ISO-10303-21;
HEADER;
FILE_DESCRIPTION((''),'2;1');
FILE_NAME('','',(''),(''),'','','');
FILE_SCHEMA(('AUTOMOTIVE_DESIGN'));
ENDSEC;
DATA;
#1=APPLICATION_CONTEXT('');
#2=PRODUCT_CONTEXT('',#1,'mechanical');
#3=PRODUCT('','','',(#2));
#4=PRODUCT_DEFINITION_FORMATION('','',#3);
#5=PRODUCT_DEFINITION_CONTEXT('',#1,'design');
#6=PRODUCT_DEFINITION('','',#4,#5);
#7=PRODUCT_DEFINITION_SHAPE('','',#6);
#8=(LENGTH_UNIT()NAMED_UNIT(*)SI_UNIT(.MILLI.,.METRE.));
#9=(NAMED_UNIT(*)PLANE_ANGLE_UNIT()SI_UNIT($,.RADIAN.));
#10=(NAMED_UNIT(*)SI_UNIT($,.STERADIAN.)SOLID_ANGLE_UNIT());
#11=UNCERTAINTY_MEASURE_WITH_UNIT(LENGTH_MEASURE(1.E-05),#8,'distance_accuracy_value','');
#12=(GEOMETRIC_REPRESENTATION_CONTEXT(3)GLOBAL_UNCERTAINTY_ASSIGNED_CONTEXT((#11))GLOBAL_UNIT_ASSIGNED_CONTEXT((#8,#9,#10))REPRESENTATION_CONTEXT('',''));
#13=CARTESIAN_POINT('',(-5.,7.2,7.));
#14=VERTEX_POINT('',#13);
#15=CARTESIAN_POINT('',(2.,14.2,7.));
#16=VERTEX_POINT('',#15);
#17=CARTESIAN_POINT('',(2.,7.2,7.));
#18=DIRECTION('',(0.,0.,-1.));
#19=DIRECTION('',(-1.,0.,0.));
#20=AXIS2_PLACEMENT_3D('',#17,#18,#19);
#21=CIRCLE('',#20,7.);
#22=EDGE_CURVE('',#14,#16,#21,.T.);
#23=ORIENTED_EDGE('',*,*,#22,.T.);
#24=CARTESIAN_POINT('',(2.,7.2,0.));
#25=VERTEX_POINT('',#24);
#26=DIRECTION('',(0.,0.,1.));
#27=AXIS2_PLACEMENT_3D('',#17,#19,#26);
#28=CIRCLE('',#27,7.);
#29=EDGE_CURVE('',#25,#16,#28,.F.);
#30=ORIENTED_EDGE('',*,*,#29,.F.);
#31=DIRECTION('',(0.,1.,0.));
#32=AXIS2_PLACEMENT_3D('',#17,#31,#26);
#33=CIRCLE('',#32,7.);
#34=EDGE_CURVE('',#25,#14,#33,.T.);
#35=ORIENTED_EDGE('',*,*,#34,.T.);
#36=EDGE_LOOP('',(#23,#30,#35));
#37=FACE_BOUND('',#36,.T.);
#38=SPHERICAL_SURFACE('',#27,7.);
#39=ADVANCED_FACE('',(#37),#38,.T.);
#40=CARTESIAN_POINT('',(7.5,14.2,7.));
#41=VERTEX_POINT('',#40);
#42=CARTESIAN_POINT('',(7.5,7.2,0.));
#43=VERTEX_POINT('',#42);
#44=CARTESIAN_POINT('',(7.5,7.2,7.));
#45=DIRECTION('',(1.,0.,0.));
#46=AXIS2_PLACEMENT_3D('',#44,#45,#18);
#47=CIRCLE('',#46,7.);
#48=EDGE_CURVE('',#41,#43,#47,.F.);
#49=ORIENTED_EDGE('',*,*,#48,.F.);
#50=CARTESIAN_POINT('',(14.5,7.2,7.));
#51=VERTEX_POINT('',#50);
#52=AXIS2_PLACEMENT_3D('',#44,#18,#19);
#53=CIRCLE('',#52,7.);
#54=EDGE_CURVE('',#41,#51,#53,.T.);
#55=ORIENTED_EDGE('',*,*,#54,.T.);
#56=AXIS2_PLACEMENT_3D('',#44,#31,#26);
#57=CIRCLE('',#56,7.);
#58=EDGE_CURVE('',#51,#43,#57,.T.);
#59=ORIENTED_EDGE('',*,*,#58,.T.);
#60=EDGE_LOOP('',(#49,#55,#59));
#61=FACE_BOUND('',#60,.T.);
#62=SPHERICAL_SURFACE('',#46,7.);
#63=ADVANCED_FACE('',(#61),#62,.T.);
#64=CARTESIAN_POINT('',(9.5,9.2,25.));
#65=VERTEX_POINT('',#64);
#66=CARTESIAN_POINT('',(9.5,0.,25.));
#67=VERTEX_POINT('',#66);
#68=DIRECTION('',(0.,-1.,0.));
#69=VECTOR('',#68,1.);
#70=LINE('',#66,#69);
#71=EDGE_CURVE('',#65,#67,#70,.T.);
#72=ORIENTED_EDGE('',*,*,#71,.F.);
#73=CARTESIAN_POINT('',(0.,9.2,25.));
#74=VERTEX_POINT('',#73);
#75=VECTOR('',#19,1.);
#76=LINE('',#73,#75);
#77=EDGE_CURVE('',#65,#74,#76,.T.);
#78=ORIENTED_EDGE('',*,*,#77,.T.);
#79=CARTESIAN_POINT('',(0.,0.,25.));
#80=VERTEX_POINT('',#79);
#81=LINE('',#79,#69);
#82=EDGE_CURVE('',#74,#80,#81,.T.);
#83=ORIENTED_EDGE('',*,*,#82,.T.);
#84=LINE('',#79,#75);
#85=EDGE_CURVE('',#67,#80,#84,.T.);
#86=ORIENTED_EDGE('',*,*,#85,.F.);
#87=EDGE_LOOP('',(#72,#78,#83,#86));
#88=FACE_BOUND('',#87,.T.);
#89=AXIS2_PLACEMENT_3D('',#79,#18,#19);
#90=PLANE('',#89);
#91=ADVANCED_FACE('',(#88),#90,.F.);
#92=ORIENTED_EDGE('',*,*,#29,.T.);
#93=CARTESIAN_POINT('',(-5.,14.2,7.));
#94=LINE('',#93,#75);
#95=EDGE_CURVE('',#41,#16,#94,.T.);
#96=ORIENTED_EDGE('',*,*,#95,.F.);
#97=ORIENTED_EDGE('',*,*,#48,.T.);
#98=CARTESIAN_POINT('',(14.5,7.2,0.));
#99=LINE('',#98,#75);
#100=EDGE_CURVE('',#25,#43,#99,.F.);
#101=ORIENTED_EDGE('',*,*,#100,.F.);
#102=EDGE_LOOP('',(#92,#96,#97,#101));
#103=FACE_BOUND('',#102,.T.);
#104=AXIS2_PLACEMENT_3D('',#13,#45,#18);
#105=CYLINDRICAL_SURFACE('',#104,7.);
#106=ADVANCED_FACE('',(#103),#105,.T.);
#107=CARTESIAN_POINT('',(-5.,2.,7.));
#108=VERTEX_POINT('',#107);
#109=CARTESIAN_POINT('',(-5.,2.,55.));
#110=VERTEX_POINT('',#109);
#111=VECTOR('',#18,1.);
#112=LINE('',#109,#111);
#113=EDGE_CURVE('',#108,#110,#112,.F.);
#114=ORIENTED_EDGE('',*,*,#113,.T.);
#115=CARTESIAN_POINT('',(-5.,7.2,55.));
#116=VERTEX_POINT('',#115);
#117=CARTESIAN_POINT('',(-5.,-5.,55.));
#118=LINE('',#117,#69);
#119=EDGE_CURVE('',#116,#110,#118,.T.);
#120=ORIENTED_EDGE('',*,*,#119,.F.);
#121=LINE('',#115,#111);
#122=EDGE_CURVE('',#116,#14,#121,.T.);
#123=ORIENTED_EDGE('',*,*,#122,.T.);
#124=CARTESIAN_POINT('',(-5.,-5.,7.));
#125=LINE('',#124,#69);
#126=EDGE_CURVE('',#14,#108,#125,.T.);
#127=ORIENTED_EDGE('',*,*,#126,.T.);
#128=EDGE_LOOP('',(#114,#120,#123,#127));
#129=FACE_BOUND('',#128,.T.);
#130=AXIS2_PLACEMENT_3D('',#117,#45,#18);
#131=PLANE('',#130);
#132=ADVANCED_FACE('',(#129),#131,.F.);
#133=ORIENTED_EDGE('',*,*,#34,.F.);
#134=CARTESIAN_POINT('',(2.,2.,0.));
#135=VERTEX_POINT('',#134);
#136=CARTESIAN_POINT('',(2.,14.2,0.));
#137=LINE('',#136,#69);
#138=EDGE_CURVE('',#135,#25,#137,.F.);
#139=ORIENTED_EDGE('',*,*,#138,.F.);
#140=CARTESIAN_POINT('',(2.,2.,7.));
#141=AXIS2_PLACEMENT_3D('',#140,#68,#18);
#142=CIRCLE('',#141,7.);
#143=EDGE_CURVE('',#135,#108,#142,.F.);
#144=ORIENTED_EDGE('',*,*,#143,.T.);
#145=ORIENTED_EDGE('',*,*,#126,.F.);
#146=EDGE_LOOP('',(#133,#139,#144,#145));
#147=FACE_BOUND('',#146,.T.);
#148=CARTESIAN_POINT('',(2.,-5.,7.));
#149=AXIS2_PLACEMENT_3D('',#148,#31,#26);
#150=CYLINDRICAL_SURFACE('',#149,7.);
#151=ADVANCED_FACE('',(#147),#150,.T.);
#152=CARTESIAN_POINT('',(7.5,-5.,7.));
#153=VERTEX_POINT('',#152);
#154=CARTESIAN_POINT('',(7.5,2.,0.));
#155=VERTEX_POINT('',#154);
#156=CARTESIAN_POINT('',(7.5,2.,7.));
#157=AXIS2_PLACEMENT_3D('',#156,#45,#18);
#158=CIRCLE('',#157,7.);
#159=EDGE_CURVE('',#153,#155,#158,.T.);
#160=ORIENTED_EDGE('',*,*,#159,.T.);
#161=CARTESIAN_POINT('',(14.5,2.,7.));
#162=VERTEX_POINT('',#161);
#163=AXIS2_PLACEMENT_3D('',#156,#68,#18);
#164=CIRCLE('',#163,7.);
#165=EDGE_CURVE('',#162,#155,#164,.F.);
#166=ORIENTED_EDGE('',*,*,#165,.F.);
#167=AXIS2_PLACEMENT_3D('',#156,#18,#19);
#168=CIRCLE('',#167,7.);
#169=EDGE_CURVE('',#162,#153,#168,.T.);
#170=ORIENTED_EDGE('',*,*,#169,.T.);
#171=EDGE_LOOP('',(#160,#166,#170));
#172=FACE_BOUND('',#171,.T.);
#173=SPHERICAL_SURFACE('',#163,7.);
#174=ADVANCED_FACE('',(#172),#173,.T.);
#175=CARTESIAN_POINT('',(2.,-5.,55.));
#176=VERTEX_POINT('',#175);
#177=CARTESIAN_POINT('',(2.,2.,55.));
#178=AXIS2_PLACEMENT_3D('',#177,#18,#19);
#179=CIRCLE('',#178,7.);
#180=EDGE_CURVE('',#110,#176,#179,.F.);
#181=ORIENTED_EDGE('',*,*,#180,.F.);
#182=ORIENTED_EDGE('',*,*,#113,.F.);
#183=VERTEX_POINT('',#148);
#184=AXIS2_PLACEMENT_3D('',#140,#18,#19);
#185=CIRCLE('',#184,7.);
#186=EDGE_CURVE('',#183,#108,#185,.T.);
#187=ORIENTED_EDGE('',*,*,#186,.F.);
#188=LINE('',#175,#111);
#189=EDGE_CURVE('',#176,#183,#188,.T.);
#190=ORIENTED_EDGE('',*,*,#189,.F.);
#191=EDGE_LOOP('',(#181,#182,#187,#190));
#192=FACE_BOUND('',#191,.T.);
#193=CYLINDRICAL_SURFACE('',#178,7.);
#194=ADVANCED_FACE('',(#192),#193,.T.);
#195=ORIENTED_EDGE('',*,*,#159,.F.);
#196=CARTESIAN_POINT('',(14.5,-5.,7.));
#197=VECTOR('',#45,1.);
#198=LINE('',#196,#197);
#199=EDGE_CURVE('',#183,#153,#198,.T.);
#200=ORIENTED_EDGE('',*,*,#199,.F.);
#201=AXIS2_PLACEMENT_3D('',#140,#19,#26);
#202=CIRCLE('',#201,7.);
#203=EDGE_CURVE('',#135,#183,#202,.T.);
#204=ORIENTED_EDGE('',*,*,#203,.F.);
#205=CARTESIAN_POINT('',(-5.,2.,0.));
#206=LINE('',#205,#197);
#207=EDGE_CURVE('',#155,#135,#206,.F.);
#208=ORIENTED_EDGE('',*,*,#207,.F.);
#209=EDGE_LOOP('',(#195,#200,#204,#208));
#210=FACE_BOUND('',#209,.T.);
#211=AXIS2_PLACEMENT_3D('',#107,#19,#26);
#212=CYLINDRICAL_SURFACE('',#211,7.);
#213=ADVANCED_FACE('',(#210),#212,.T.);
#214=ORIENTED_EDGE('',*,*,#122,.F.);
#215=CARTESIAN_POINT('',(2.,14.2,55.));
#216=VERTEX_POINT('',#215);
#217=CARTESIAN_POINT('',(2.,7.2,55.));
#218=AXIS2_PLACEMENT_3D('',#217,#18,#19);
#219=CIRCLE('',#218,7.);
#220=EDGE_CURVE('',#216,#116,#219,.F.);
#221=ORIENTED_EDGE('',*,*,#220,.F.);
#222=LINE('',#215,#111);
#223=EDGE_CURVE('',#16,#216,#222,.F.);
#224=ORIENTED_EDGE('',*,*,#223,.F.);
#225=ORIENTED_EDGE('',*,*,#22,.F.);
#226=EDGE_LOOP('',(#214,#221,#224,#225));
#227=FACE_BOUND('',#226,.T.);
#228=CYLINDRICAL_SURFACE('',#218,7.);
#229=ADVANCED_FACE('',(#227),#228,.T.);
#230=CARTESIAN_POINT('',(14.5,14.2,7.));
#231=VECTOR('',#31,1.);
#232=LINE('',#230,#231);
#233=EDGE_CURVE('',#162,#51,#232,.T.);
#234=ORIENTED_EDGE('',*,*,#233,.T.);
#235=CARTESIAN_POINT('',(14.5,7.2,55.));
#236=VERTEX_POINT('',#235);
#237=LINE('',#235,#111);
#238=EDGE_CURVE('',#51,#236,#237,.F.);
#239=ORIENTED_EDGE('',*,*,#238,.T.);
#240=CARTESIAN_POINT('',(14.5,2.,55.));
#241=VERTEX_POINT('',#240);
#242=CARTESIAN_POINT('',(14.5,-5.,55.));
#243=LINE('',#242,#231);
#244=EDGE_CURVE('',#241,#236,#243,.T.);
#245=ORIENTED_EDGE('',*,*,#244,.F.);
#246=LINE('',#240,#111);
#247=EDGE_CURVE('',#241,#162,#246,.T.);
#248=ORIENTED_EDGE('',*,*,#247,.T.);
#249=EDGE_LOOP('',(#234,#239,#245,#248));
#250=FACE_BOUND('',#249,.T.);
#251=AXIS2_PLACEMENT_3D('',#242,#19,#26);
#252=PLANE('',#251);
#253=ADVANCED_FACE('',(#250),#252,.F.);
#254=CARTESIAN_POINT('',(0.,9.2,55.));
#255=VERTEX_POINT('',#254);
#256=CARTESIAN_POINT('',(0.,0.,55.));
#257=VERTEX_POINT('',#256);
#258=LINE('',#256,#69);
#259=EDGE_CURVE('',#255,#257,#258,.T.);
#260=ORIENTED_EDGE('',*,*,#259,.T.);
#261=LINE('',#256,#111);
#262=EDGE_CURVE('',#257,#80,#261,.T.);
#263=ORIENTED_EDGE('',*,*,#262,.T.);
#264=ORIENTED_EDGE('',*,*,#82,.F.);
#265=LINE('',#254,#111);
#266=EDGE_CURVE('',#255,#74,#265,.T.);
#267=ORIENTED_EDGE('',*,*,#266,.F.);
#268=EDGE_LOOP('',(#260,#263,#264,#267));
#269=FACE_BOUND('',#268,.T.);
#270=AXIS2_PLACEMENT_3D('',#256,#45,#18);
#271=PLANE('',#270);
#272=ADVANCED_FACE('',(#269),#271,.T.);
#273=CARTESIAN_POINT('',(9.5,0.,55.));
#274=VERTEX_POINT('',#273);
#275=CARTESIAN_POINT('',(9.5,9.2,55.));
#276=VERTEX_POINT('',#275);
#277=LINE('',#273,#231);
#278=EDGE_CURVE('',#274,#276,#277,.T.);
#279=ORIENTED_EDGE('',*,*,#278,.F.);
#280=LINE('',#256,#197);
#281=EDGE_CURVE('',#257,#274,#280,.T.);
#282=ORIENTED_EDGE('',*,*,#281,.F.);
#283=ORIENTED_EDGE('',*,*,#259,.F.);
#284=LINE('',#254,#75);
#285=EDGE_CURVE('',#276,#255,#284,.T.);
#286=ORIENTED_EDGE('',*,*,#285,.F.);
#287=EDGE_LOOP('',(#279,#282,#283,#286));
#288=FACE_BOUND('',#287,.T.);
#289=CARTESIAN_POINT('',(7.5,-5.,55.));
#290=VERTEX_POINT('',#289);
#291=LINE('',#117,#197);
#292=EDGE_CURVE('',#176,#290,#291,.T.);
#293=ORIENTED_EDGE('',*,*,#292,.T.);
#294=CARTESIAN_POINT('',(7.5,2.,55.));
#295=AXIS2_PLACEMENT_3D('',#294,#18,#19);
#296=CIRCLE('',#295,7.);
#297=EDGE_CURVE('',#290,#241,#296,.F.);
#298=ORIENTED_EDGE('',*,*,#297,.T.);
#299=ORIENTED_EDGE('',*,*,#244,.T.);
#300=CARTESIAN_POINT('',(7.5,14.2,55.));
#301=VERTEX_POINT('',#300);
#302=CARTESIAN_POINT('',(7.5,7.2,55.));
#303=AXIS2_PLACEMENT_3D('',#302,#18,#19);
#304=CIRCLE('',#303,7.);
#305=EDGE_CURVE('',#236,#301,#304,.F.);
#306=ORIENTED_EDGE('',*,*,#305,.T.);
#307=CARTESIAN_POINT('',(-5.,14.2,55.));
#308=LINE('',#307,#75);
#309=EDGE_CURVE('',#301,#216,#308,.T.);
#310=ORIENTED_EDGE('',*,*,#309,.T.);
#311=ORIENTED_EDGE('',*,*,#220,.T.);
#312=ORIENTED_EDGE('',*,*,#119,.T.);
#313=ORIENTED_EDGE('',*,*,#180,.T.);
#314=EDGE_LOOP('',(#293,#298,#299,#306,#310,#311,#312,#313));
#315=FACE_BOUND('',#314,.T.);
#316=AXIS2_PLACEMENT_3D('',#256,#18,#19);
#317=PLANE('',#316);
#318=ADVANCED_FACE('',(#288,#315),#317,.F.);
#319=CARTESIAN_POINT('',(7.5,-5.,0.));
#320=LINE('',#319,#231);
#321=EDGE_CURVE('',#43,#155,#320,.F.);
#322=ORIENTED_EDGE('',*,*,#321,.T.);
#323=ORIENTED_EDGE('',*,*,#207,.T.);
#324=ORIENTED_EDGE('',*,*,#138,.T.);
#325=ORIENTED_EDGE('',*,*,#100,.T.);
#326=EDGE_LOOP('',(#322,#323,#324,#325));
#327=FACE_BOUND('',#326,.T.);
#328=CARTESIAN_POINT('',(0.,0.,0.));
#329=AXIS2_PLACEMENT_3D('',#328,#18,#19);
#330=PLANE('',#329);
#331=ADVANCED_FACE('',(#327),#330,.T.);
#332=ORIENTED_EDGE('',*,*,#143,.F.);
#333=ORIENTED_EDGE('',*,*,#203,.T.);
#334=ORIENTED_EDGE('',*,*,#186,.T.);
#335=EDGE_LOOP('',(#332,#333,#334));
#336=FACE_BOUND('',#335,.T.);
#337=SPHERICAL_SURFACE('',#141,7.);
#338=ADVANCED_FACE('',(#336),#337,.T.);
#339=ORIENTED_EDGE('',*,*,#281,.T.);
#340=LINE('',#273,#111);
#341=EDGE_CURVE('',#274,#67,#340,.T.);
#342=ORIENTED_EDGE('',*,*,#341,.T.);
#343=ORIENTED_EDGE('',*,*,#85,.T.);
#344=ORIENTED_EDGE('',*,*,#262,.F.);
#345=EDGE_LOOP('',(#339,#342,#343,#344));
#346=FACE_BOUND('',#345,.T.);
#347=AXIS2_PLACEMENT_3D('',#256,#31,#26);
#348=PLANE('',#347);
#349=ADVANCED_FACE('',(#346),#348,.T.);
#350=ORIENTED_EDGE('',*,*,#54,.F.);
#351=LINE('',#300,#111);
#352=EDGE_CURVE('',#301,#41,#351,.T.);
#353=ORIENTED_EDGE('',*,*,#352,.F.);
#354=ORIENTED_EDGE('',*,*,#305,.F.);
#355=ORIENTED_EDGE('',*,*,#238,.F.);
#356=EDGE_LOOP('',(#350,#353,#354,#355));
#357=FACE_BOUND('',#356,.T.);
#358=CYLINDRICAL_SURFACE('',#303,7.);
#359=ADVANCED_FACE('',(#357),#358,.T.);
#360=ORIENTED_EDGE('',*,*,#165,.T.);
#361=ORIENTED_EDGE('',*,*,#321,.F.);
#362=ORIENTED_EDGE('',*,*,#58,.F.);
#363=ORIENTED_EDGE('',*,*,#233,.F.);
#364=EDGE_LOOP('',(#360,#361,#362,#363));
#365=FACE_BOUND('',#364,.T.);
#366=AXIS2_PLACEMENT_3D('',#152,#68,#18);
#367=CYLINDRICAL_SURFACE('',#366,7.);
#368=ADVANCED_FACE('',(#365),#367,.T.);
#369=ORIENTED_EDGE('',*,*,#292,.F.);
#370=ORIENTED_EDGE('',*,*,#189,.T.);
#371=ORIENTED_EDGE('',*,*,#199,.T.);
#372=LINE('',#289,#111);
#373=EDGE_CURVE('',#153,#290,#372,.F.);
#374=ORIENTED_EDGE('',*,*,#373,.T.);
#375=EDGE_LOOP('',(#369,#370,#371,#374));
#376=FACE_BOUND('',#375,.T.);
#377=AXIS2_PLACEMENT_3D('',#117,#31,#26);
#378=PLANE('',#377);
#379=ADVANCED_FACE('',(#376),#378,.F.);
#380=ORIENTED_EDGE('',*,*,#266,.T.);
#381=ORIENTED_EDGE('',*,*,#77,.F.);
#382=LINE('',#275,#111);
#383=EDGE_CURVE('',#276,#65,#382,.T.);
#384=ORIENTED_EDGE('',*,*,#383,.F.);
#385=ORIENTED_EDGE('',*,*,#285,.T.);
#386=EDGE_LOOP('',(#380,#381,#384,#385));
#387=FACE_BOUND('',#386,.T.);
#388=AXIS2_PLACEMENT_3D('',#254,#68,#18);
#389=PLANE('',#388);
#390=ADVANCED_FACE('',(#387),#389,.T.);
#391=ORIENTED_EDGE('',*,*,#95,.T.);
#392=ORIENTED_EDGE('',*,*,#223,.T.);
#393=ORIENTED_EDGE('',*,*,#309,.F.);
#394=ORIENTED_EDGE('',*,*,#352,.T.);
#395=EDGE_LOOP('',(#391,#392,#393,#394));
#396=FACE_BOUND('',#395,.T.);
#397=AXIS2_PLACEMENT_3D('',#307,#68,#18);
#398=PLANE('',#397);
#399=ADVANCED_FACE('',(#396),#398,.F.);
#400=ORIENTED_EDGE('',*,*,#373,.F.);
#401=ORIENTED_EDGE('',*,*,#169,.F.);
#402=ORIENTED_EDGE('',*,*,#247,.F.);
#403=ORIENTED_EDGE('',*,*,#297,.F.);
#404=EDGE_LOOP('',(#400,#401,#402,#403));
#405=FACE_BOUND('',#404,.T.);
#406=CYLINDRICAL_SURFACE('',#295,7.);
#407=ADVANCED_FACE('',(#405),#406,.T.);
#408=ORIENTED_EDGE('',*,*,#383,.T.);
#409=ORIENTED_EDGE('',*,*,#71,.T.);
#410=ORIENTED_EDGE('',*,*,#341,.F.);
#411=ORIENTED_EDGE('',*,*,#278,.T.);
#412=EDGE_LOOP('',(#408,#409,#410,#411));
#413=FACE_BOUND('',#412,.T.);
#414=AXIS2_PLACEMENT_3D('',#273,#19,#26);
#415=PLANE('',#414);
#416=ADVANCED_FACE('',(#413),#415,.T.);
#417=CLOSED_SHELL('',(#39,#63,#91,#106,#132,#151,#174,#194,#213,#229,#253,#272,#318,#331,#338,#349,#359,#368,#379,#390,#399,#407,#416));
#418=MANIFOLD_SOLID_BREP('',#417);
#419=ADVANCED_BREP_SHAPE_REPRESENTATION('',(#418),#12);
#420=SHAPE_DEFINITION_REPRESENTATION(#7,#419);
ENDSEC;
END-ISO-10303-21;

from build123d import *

# Parameters (mm, degrees)
SKETCH1_W           = 19.5
SKETCH1_H           = 19.2
SKETCH1_W_2         = 9.5
SKETCH1_H_2         = 9.2
BOSS_EXTRUDE1_DEPTH = 55
SKETCH1_2_W         = 9.5
SKETCH1_2_H         = 9.2
BOSS_EXTRUDE2_DEPTH = 25
FILLET2_R           = 7


with BuildPart() as part:
    # Sketch1 → Boss-Extrude1 (new body)
    with BuildSketch(Plane.XY):
        with Locations((4.75, 4.6)):
            Rectangle(SKETCH1_W, SKETCH1_H)
        with Locations((4.75, 4.6)):
            Rectangle(SKETCH1_W_2, SKETCH1_H_2, mode=Mode.SUBTRACT)
    extrude(amount=BOSS_EXTRUDE1_DEPTH)

    # Sketch1<2> → Boss-Extrude2 (add)
    with BuildSketch(Plane.XY):
        with Locations((4.75, 4.6)):
            Rectangle(SKETCH1_2_W, SKETCH1_2_H)
    extrude(amount=BOSS_EXTRUDE2_DEPTH)

    # Fillet2
    fillet2_edges = [part.edges().sort_by_distance(p)[0] for p in [
        (4.75, 14.2, 0),
        (14.5, 4.6, 0),
        (4.75, -5, 0),
        (-5, 4.6, 0),
        (-5, 14.2, 27.5),
        (14.5, 14.2, 27.5),
        (14.5, -5, 27.5),
        (-5, -5, 27.5),
    ]]
    fillet(fillet2_edges, radius=FILLET2_R)


solid = part.part
